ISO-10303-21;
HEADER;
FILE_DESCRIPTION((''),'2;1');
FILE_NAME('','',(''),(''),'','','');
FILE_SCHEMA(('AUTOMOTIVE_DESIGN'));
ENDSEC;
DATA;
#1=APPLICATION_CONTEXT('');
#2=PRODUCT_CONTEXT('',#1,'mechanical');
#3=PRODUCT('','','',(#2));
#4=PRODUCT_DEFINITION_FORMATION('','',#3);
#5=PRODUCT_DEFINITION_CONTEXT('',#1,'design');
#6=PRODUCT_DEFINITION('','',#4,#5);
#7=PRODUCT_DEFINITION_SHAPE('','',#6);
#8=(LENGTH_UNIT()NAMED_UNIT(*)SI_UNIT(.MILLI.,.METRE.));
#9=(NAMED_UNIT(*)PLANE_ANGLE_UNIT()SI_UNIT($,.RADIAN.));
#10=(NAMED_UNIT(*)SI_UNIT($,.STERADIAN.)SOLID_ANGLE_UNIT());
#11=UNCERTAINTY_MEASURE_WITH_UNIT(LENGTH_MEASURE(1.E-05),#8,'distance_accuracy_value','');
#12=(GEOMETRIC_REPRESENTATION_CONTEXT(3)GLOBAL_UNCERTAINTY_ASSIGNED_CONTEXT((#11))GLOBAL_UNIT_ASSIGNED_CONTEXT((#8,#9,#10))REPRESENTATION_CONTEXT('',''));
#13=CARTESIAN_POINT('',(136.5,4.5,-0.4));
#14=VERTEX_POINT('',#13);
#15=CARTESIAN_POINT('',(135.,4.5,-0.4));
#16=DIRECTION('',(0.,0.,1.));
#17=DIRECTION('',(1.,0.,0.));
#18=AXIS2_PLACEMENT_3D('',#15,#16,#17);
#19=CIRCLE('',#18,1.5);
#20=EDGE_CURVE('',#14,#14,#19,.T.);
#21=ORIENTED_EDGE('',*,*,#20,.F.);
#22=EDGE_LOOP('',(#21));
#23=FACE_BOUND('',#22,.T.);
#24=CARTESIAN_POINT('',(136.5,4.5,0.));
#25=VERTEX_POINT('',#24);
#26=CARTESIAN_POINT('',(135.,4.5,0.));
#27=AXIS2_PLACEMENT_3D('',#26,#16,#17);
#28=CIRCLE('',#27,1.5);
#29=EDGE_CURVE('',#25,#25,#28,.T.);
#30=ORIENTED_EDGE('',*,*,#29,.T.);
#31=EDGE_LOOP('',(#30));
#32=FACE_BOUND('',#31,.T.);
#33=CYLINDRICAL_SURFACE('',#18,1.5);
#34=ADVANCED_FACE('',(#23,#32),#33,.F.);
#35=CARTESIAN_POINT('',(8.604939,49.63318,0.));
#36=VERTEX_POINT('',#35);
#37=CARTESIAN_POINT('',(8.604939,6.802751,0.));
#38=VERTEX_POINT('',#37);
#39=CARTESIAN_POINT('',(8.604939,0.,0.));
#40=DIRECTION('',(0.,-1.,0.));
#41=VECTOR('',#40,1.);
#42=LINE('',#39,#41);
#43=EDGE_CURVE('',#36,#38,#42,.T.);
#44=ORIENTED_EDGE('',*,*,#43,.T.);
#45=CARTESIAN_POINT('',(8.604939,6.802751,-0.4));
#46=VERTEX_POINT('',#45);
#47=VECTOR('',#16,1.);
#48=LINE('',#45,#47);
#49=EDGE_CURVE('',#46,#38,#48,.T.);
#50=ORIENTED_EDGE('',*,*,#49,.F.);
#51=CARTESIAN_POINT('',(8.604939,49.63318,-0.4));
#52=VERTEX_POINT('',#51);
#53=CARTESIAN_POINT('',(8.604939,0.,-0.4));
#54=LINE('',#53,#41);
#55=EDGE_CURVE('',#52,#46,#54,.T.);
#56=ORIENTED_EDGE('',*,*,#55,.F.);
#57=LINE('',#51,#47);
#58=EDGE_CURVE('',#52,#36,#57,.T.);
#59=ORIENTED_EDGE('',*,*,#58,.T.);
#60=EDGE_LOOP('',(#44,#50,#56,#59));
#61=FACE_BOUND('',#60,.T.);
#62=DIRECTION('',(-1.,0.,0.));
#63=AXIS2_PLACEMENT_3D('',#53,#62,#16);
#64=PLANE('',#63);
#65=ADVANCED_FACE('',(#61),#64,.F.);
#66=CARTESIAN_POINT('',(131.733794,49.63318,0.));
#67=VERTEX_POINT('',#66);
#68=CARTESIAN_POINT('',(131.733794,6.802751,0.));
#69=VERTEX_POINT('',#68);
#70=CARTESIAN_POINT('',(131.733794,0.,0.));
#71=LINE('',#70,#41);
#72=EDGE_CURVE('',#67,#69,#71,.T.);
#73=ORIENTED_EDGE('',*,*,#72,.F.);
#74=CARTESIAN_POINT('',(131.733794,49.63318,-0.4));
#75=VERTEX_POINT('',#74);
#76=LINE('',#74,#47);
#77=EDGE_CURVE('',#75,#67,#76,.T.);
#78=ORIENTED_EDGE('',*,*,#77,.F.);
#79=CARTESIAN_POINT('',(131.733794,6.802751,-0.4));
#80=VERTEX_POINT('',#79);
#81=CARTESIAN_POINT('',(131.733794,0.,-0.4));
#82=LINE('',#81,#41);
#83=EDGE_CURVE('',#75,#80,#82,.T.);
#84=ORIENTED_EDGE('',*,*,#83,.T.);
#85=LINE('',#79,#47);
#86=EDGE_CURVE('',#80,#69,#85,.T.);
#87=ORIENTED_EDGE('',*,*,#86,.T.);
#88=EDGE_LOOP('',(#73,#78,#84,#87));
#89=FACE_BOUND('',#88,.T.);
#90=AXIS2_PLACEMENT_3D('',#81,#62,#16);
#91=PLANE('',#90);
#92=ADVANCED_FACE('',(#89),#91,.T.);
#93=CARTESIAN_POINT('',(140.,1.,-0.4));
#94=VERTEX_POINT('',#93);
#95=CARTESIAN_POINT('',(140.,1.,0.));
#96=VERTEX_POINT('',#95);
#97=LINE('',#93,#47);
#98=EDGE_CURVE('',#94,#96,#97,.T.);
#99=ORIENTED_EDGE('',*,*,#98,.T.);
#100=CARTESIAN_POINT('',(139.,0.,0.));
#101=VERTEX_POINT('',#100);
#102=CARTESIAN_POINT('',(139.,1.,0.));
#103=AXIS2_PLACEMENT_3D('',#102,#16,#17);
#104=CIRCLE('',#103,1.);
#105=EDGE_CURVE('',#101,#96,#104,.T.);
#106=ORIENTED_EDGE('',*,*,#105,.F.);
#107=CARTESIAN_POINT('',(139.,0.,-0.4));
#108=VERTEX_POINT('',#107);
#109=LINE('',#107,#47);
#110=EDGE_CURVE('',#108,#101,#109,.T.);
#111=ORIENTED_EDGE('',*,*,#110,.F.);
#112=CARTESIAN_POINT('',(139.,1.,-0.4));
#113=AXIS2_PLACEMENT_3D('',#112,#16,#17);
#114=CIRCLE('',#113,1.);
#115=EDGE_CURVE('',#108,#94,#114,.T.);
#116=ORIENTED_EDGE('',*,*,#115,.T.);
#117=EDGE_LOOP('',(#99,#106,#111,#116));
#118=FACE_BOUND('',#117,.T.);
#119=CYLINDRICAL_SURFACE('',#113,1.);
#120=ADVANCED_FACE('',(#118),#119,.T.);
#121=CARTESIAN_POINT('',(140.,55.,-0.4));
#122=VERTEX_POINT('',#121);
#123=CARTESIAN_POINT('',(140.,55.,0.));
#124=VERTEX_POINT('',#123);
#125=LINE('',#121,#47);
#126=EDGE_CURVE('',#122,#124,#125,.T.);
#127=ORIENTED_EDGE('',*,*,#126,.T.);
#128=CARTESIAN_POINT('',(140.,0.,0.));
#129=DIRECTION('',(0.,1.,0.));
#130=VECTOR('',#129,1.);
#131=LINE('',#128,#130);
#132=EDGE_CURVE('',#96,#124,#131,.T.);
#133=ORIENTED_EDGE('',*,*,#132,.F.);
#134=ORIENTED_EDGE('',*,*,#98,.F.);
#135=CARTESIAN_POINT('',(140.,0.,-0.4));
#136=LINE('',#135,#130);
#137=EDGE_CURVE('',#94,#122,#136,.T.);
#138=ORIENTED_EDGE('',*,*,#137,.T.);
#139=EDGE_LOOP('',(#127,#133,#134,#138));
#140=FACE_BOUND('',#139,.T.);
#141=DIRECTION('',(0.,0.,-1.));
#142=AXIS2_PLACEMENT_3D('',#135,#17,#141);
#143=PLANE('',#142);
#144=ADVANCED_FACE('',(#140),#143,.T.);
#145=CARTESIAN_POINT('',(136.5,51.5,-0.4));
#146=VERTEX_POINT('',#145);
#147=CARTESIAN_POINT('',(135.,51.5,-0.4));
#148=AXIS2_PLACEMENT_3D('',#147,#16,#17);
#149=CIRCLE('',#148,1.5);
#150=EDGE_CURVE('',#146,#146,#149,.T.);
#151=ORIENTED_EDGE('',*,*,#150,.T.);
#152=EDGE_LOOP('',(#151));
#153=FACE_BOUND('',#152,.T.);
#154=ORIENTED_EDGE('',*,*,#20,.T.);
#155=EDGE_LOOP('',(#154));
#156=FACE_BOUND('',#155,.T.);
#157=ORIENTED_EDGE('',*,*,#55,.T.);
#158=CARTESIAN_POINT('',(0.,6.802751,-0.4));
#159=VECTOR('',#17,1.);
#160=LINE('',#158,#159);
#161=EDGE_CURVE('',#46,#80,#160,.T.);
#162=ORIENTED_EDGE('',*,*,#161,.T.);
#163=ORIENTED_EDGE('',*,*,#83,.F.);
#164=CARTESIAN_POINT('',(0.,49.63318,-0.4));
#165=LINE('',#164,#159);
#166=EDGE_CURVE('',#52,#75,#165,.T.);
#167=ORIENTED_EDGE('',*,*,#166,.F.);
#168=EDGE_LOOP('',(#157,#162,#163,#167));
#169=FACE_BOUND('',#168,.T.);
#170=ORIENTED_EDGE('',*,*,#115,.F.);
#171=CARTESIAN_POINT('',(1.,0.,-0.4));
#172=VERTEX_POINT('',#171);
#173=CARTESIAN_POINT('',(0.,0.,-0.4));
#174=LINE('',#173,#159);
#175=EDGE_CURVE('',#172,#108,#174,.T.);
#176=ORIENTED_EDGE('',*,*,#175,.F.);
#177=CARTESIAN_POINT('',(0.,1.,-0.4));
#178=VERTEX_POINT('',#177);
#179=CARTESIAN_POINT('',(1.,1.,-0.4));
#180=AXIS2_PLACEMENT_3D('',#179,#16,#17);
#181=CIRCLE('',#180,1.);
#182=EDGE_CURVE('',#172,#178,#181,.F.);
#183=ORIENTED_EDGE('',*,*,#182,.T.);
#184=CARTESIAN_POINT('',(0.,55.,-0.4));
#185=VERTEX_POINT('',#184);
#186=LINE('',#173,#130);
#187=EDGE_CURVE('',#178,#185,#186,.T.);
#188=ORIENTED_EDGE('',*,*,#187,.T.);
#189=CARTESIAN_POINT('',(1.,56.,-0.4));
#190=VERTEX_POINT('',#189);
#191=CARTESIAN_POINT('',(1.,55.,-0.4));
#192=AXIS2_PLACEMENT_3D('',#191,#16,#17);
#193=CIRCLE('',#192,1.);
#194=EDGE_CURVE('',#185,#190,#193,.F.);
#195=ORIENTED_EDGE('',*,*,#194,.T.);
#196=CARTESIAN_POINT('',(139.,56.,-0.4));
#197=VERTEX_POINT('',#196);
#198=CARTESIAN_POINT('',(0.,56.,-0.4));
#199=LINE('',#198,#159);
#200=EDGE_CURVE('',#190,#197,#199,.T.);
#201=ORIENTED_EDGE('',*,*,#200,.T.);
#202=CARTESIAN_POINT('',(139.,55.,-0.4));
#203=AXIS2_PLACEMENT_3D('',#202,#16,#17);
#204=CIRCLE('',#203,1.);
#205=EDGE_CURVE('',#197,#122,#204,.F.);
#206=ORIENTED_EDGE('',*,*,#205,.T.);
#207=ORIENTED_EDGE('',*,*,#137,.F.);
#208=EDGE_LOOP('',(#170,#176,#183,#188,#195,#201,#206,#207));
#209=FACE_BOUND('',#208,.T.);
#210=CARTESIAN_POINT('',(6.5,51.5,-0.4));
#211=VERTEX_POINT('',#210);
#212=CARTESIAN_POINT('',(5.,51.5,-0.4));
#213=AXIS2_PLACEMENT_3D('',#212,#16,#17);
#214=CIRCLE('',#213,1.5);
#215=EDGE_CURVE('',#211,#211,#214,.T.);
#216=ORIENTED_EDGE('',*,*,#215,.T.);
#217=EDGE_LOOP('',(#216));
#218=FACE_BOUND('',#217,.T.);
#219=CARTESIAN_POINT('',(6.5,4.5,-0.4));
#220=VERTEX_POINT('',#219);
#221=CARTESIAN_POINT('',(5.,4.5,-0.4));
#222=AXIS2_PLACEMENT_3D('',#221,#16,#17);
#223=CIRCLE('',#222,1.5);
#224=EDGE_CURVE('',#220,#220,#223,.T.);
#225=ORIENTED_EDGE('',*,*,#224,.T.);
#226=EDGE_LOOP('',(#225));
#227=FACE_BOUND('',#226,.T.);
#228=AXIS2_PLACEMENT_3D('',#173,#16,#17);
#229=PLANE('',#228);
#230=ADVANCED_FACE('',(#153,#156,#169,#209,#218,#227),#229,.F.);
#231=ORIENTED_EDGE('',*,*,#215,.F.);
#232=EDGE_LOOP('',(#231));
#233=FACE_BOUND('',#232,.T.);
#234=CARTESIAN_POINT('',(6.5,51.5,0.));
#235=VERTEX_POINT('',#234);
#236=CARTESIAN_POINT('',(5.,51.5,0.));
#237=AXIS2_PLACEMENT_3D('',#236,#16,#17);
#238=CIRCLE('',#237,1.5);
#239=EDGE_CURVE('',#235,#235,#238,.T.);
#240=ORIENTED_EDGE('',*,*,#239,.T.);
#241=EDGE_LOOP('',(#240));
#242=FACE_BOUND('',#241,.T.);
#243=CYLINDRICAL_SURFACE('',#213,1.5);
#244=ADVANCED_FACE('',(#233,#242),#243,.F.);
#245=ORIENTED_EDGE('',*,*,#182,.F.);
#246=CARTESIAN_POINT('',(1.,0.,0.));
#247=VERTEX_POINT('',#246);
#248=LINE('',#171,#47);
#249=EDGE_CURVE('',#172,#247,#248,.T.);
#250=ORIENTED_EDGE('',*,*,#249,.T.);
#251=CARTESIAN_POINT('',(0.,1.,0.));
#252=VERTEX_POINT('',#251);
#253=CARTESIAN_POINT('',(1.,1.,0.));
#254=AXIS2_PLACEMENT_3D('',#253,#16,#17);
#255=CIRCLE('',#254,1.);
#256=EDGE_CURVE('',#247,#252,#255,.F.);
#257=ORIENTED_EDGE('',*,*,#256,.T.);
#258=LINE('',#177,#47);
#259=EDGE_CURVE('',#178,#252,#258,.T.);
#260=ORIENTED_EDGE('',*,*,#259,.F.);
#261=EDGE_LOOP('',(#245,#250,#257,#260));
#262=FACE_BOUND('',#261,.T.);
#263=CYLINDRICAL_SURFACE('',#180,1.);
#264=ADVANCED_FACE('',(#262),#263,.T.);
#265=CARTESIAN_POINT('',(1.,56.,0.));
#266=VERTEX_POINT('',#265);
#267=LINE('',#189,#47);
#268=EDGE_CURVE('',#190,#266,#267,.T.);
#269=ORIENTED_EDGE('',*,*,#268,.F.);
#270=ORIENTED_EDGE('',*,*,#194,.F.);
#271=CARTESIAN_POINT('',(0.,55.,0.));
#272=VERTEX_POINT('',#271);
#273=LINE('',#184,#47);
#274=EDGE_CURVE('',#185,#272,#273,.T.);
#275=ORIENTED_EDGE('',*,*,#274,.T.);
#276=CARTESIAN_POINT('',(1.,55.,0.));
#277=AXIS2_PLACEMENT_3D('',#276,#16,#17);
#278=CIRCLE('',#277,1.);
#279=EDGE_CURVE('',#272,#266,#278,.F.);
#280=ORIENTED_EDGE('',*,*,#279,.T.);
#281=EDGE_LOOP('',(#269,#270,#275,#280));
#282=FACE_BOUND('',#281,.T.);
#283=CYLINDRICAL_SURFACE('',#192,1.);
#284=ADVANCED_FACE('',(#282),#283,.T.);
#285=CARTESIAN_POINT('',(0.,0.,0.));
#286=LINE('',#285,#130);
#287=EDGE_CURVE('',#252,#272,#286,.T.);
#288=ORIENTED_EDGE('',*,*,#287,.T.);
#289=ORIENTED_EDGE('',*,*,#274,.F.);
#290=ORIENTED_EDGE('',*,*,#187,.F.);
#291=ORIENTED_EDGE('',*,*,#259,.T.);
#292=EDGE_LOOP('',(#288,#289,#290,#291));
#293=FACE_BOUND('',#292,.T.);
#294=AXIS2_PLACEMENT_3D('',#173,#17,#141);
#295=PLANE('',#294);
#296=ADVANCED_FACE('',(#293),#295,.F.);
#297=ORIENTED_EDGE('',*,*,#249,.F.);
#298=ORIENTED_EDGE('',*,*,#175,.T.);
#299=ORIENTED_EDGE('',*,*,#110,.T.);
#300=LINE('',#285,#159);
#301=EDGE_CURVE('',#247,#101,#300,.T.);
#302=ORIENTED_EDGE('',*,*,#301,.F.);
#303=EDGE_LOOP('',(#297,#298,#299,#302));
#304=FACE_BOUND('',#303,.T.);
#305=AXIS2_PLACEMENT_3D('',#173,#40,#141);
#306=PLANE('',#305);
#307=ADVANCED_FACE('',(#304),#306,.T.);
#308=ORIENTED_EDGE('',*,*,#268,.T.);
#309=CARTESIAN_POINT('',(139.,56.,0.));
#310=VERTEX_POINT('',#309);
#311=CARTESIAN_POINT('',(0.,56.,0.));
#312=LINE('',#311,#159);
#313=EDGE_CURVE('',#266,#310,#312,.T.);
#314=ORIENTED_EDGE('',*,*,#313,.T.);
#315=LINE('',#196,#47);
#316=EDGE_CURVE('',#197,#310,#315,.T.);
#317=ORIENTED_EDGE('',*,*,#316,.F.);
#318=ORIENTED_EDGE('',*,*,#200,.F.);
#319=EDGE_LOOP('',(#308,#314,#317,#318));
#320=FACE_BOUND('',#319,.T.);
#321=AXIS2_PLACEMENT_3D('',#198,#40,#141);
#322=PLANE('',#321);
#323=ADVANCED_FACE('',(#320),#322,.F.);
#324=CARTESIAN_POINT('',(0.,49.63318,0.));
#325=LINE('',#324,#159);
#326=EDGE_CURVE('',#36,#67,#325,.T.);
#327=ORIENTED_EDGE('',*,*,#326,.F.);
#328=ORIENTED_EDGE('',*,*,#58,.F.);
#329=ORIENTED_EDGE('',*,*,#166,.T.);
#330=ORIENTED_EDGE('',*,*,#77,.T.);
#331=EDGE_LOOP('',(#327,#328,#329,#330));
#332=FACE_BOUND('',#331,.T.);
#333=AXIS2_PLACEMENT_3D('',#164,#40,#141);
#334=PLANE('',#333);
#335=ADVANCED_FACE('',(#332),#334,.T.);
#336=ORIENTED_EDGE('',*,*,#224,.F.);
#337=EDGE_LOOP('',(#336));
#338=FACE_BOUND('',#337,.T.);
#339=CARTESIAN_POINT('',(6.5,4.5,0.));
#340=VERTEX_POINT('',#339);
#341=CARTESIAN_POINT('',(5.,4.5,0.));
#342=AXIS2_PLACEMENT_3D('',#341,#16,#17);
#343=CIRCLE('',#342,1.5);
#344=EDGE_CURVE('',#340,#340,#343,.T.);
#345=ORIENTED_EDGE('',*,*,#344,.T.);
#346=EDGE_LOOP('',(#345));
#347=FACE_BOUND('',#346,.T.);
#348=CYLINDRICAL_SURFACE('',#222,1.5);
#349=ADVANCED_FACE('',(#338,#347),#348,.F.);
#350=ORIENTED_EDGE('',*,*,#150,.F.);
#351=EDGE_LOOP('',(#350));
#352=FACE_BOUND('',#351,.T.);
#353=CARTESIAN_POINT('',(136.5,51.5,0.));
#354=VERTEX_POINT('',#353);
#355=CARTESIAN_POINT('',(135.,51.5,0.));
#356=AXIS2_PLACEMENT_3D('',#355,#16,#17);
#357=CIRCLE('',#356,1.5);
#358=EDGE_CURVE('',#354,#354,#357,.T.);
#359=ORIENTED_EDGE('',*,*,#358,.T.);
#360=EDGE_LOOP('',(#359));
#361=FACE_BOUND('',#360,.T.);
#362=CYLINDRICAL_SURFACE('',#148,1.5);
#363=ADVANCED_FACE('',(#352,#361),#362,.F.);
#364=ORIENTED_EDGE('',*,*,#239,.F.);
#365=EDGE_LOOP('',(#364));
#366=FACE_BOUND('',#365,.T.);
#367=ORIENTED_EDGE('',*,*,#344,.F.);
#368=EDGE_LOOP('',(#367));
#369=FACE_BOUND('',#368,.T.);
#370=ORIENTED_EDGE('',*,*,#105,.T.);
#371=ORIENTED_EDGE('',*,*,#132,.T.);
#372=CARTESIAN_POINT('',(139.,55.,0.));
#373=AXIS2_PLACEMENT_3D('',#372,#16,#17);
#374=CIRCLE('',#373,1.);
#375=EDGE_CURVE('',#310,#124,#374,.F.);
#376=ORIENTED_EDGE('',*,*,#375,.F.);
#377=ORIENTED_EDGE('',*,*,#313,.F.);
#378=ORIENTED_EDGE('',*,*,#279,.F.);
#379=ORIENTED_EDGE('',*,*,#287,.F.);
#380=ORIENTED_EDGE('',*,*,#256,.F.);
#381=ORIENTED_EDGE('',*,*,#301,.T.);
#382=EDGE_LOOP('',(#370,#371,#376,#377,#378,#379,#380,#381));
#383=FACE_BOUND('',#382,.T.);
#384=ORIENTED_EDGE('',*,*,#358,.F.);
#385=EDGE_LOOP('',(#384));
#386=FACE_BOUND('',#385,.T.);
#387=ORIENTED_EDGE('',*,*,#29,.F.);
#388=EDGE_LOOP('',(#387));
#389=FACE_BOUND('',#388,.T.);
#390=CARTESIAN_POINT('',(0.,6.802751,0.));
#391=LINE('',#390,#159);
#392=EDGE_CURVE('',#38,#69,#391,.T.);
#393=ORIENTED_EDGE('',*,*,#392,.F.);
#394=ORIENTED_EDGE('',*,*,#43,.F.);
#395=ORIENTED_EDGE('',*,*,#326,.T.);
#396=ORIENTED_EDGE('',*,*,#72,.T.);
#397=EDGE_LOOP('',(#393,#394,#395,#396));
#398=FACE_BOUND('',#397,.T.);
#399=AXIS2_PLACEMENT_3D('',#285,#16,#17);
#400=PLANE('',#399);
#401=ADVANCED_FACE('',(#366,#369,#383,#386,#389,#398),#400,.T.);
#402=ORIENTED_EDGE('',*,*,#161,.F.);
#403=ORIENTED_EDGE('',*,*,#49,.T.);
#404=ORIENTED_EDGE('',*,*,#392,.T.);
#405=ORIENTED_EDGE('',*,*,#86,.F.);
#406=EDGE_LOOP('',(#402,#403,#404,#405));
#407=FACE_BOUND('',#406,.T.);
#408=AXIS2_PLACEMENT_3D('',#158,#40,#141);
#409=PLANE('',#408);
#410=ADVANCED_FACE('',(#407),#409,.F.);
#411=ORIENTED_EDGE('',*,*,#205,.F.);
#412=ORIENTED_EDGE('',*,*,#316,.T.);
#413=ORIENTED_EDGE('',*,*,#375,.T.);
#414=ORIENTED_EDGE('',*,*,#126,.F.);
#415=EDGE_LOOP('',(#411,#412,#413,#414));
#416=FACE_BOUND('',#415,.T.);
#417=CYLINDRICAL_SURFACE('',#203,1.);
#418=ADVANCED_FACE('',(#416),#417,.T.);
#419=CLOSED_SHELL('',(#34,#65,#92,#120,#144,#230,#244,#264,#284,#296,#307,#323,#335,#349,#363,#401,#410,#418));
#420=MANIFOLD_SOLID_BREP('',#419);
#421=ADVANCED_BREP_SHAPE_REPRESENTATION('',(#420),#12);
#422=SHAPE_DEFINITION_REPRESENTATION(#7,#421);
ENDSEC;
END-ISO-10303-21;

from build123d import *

# Parameters (mm, degrees)
SKETCH1_R           = 1.5
SKETCH1_W           = 123.128854939
SKETCH1_H           = 42.830428858
BOSS_EXTRUDE1_DEPTH = 0.4


with BuildPart() as part:
    # Sketch1 → Boss-Extrude1 (new body)
    with BuildSketch(Plane.XY):
        with BuildLine():
            Line((1, 0), (139, 0))
            ThreePointArc((139, 0), (139.707106781, 0.292893219), (140, 1))
            Line((140, 1), (140, 55))
            ThreePointArc((140, 55), (139.707106781, 55.707106781), (139, 56))
            Line((139, 56), (1, 56))
            ThreePointArc((1, 56), (0.292893219, 55.707106781), (0, 55))
            Line((0, 55), (0, 1))
            ThreePointArc((0, 1), (0.292893219, 0.292893219), (1, 0))
        make_face()
        with Locations((5, 51.5)):
            Circle(SKETCH1_R, mode=Mode.SUBTRACT)
        with Locations((5, 4.5)):
            Circle(SKETCH1_R, mode=Mode.SUBTRACT)
        with Locations((135, 4.5)):
            Circle(SKETCH1_R, mode=Mode.SUBTRACT)
        with Locations((135, 51.5)):
            Circle(SKETCH1_R, mode=Mode.SUBTRACT)
        with Locations((70.169366708, 28.217965612)):
            Rectangle(SKETCH1_W, SKETCH1_H, mode=Mode.SUBTRACT)
    extrude(amount=-BOSS_EXTRUDE1_DEPTH)


solid = part.part
